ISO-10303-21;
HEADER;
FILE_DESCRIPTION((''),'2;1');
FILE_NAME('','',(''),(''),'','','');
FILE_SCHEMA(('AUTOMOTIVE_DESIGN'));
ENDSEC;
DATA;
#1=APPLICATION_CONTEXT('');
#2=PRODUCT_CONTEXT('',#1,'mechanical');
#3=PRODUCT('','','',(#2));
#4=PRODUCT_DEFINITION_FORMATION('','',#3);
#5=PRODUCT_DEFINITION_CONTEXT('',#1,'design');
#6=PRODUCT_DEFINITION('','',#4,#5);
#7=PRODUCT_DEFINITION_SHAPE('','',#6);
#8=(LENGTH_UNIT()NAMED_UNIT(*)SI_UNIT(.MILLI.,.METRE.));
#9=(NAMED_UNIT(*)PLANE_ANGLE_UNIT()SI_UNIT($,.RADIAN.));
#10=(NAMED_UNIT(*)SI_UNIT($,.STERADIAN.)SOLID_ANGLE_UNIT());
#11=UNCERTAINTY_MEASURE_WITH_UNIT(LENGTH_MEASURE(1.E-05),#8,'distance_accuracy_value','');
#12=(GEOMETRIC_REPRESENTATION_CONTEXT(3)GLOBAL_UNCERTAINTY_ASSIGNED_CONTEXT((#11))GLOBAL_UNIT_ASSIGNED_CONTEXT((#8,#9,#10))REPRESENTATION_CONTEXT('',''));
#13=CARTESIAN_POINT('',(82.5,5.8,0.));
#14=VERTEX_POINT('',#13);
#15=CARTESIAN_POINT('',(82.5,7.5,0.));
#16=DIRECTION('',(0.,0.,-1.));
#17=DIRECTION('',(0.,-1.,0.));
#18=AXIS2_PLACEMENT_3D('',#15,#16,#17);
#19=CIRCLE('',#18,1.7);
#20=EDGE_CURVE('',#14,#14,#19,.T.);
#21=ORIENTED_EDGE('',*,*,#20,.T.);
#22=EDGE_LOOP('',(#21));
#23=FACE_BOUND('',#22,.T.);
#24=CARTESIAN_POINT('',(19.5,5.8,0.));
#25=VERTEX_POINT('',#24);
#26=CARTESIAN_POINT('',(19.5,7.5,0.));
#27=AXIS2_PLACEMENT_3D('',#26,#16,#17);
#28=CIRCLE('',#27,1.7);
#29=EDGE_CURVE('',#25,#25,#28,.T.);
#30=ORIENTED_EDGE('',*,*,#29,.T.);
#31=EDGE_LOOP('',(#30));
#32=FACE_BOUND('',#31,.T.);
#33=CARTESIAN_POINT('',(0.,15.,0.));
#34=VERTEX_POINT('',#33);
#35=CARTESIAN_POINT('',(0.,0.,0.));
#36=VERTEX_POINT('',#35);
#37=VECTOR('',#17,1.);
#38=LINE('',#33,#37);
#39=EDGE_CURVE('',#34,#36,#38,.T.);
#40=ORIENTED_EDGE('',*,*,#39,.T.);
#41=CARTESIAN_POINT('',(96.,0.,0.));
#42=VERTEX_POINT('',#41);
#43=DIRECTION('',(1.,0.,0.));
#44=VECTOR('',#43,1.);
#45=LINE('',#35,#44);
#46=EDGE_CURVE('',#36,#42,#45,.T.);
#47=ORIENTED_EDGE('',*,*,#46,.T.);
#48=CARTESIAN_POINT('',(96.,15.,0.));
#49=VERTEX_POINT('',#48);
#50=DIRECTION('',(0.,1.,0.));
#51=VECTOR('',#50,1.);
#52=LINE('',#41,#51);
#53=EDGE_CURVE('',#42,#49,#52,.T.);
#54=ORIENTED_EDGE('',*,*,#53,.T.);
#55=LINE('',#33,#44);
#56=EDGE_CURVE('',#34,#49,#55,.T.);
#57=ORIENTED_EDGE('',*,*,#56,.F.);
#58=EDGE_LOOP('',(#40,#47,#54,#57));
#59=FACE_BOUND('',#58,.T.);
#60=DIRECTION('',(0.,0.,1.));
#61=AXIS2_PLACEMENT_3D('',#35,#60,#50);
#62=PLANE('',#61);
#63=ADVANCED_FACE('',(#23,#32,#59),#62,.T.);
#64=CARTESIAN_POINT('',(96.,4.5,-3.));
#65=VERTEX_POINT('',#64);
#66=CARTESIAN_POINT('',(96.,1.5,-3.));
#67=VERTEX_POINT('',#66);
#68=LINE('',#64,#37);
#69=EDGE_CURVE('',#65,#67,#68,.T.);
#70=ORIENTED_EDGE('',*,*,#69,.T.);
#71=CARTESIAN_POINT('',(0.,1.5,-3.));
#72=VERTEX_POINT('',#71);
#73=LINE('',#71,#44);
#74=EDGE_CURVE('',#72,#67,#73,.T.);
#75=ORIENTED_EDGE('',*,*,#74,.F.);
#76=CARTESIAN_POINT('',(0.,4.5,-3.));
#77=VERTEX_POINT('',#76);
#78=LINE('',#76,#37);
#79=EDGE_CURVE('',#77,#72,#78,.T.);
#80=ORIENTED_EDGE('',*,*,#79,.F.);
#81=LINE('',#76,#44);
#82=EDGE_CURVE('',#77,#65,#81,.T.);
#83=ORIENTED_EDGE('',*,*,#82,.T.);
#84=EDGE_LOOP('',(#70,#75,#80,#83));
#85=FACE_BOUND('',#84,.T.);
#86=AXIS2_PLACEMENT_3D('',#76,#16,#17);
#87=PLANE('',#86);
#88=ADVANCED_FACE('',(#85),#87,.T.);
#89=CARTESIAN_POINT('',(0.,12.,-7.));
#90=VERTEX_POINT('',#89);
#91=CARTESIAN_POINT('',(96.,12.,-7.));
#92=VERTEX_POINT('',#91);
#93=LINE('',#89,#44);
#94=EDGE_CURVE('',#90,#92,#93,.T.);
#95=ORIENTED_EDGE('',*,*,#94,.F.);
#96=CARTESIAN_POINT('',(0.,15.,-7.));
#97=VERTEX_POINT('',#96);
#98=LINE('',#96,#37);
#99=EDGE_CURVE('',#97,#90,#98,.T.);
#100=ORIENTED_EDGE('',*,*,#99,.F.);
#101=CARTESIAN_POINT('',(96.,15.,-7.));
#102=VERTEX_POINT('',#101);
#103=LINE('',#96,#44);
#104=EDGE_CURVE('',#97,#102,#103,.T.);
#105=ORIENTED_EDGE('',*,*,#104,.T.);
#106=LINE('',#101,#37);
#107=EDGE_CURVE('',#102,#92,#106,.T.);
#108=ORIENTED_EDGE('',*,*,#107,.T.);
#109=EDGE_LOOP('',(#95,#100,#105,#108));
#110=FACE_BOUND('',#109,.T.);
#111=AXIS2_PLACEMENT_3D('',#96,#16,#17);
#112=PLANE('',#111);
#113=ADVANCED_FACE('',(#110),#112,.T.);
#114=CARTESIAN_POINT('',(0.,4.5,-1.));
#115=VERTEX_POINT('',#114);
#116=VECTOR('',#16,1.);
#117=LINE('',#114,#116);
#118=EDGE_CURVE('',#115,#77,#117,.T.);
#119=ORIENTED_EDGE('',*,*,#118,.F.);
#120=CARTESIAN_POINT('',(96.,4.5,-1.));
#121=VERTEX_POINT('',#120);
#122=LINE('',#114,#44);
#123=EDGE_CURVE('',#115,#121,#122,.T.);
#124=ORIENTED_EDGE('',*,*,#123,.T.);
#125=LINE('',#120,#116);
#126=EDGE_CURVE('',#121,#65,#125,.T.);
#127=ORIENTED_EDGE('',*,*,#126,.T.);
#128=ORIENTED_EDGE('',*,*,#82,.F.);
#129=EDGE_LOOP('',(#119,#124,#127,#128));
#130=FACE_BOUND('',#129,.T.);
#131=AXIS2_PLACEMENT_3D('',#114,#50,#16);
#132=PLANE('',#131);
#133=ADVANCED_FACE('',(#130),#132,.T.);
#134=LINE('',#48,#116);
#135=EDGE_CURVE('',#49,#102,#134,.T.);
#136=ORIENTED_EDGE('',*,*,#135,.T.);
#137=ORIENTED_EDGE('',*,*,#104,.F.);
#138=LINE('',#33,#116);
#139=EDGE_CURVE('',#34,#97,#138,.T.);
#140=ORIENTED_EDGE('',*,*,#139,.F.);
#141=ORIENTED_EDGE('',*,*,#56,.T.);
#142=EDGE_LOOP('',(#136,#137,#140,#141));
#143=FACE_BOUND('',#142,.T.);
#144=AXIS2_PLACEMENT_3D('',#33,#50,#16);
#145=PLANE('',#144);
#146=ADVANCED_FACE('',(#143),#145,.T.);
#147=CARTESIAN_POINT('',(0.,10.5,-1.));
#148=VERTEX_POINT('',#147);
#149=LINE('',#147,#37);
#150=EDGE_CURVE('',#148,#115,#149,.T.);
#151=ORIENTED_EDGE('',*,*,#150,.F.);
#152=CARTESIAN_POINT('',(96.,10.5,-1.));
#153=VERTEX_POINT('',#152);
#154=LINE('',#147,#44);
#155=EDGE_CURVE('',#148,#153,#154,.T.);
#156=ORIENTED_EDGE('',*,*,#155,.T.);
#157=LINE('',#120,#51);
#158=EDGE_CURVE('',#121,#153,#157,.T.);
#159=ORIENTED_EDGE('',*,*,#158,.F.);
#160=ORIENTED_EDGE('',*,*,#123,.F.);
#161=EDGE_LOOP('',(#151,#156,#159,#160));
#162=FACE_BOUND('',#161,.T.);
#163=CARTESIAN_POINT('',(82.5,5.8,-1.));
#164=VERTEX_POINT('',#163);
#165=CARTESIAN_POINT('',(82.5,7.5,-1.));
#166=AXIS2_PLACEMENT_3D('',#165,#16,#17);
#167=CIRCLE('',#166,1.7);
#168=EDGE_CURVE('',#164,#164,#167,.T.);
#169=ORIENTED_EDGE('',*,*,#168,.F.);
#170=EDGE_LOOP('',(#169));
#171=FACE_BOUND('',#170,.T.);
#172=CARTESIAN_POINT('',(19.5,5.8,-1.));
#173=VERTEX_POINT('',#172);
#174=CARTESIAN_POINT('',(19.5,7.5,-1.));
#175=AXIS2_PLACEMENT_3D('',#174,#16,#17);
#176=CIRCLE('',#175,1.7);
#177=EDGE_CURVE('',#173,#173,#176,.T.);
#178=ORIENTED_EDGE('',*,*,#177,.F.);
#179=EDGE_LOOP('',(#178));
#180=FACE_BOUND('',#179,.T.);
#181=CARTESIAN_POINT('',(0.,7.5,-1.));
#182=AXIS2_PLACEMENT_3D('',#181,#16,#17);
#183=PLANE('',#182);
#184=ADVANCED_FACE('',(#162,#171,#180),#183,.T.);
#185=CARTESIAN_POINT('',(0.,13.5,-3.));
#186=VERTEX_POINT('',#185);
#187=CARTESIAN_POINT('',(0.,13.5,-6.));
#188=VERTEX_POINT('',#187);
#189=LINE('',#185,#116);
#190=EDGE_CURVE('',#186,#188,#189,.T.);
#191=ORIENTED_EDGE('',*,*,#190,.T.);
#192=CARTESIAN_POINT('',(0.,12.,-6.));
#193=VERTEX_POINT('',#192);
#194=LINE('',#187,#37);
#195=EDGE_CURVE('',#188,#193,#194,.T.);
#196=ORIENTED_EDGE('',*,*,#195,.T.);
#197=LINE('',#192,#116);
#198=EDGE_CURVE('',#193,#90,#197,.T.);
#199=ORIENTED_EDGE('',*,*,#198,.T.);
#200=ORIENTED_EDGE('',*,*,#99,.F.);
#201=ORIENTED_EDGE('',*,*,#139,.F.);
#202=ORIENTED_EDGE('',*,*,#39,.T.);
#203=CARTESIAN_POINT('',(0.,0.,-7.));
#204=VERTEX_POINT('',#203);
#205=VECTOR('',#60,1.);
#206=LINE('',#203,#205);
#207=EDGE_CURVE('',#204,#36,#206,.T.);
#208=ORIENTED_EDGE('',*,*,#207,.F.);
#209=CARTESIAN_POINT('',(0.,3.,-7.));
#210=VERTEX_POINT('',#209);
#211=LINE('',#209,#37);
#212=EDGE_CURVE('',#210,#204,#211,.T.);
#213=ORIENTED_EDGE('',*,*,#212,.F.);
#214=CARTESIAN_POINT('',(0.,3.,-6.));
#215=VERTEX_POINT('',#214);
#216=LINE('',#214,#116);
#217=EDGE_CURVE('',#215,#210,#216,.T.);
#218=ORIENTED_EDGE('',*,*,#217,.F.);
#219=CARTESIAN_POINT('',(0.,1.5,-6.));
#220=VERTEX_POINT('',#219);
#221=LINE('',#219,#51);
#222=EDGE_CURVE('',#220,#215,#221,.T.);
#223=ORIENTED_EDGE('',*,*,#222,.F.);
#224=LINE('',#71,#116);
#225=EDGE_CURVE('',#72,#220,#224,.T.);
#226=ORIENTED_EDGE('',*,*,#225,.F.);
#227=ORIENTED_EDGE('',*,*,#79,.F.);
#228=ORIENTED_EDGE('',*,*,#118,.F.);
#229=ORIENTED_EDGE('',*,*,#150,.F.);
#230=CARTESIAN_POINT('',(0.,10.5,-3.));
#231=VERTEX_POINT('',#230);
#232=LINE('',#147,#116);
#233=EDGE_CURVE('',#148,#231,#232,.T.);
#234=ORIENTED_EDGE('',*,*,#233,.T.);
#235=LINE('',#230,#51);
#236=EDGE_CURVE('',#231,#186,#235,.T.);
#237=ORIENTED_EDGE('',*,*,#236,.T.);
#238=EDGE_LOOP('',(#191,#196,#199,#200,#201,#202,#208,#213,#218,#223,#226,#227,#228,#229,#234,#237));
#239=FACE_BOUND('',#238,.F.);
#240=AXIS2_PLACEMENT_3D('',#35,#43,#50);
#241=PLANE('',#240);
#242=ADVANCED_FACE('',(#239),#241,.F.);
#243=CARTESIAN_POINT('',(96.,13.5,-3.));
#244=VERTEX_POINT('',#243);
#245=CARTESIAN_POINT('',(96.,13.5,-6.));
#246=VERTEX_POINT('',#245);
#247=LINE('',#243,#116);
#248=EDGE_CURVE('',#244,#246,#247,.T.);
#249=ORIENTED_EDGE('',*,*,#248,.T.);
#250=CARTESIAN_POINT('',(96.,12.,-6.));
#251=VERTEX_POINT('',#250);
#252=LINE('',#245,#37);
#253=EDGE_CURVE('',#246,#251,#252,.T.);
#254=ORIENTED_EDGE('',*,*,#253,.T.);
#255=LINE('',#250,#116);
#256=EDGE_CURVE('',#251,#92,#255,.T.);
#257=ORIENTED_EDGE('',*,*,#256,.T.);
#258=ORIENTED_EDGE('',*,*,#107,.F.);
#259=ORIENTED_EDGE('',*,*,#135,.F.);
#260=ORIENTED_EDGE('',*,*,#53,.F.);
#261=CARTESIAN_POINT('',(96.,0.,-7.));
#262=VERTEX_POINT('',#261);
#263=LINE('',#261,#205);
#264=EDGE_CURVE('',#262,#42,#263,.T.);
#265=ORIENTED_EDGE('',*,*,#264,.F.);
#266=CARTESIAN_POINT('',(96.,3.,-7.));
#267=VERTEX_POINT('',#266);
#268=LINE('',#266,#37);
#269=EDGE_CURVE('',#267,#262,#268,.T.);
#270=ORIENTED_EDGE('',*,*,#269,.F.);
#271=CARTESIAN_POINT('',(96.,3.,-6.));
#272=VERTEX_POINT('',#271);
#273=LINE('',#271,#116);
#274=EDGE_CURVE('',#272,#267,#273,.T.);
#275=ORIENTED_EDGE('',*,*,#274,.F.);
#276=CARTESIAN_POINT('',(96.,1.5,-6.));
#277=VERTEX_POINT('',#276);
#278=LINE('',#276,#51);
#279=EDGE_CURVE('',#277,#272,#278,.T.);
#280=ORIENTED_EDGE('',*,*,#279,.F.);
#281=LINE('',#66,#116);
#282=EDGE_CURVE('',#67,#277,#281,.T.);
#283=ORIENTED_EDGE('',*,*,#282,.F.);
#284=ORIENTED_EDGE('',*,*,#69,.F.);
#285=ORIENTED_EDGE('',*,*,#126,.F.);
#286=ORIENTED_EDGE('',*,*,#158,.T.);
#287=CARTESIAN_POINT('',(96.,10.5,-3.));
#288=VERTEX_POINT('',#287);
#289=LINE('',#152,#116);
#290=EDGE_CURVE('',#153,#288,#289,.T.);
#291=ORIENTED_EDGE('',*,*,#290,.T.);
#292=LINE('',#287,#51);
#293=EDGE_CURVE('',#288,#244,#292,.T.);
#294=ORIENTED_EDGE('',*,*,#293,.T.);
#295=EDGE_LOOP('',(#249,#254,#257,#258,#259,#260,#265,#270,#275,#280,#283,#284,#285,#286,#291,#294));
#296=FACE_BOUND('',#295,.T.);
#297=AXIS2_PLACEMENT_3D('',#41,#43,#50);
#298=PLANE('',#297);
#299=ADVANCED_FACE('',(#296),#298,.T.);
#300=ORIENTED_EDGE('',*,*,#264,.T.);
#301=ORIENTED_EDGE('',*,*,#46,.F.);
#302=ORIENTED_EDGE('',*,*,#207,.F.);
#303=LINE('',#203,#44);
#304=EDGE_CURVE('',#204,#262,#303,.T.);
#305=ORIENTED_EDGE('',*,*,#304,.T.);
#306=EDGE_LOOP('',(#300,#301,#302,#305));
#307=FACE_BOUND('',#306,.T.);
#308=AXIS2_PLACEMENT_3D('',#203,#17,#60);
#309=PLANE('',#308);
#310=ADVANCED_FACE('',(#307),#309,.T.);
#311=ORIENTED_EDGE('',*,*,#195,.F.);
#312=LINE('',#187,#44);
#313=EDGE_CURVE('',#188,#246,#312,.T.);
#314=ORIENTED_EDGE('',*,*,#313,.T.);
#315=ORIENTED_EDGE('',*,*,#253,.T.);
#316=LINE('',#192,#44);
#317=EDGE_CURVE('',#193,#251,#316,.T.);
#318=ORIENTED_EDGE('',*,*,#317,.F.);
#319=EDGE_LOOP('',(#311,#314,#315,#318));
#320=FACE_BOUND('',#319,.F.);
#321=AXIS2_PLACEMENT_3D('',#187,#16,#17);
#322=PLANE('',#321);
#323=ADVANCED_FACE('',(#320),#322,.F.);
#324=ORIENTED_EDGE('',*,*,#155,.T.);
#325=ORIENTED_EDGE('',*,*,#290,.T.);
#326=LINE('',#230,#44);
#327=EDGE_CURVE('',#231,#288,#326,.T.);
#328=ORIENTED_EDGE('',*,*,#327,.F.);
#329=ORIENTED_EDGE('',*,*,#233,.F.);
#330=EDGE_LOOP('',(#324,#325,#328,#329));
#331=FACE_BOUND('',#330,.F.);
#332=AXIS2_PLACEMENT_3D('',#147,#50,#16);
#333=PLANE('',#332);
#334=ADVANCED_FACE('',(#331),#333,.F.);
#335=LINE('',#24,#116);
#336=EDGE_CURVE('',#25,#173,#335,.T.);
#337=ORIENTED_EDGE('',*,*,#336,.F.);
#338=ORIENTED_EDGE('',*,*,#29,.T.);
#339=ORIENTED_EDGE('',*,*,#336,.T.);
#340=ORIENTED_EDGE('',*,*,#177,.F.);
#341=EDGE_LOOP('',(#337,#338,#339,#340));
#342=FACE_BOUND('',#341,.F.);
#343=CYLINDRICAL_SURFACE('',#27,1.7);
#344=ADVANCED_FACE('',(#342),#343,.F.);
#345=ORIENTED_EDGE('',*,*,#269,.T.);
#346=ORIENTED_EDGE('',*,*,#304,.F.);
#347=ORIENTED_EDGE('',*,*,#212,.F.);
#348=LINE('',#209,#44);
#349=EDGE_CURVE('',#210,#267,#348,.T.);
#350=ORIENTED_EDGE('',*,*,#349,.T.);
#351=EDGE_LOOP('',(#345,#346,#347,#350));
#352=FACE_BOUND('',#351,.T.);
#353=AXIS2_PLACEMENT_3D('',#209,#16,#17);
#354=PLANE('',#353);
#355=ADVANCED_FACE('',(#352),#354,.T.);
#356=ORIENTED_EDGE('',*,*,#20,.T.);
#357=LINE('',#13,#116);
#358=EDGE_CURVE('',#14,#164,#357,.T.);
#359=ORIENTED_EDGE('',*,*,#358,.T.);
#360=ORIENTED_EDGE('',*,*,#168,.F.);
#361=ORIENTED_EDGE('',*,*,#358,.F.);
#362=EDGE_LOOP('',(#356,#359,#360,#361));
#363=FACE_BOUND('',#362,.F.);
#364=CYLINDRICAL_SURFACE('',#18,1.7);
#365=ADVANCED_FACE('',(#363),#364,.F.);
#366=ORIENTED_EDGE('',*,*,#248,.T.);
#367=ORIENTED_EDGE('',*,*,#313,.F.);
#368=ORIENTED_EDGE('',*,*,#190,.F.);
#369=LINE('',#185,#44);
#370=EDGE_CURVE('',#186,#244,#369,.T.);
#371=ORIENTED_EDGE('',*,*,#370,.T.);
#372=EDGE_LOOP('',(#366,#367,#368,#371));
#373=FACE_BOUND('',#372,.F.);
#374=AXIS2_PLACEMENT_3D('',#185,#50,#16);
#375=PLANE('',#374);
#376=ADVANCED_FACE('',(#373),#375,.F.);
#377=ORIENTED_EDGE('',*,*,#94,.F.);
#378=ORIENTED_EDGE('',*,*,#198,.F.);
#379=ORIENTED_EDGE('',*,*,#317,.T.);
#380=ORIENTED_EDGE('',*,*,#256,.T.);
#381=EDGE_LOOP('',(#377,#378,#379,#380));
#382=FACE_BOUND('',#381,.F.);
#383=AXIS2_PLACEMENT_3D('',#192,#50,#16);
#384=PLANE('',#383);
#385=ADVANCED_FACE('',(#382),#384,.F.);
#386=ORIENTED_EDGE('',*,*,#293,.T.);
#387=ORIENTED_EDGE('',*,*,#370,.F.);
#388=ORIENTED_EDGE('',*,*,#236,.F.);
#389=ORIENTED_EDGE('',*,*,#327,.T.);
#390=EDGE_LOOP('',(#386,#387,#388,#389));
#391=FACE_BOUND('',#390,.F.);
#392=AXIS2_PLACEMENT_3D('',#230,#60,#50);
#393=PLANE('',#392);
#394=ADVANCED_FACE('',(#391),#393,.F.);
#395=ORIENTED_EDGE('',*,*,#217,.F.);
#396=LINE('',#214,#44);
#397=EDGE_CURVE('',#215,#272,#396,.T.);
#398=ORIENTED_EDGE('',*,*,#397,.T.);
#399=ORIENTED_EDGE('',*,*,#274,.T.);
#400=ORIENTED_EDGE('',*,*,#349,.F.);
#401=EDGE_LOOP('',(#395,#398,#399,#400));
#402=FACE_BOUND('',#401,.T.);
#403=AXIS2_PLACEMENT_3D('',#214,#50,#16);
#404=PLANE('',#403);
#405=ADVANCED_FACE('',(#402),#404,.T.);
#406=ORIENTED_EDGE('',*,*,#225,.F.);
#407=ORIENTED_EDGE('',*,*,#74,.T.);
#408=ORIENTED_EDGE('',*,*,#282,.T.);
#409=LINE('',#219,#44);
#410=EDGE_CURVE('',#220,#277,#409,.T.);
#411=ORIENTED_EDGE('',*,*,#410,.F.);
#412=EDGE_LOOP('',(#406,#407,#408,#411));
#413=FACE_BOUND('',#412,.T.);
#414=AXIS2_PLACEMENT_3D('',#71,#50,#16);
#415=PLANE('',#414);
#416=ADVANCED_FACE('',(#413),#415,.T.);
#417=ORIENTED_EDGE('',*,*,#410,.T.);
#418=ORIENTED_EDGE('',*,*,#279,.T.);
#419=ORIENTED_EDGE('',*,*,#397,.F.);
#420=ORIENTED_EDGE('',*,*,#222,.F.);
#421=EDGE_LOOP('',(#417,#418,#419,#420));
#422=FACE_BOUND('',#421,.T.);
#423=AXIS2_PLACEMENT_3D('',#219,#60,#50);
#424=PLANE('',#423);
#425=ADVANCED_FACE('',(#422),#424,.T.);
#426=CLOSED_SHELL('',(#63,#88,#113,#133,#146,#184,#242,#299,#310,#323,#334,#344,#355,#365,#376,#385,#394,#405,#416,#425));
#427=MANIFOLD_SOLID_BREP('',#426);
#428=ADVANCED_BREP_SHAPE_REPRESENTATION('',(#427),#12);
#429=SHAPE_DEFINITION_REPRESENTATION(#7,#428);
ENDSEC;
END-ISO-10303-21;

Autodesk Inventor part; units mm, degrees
ref_plane "YZ Plane" through (0, 0, 0) normal (1, 0, 0) x (0, 1, 0)
ref_plane "XZ Plane" through (0, 0, 0) normal (0, 1, 0) x (-1, 0, 0)
ref_plane "XY Plane" through (0, 0, 0) normal (0, 0, 1) x (1, 0, 0)
sketch "スケッチ1" plane through (0, 0, 0) normal (1, 0, 0) x (0, 1, 0)
  line L0 (0, 0) -> (15, 0)
  line L1 (15, 0) -> (15, -7)
  line L2 (0, -7) -> (0, 0)
  line L3 (7.5, 0) -> (7.5, -7)
  line L4 (7.5, -1) -> (10.5, -1)
  line L5 (10.5, -1) -> (10.5, -3)
  line L6 (10.5, -3) -> (13.5, -3)
  line L7 (13.5, -3) -> (13.5, -6)
  line L8 (13.5, -6) -> (12, -6)
  line L9 (12, -6) -> (12, -7)
  line L10 (7.5, -1) -> (4.5, -1)
  line L11 (4.5, -1) -> (4.5, -3)
  line L12 (4.5, -3) -> (1.5, -3)
  line L13 (1.5, -3) -> (1.5, -6)
  line L14 (1.5, -6) -> (3, -6)
  line L15 (3, -6) -> (3, -7)
  line L16 (15, -7) -> (12, -7)
  line L17 (3, -7) -> (0, -7)
  dimension "d0" = 15
  dimension "d1" = 7
  dimension "d2" = 3
  dimension "d3" = 2
  dimension "d5" = 3
  dimension "d6" = 3
  dimension "d7" = 1.5
  dimension "d9" = 1
extrude "押し出し1" add sketch "スケッチ1" along normal blind 96
sketch "スケッチ2" plane through (0, 0, 0) normal (0, 0, 1) x (1, 0, 0)
  line L0 (0, 4.5) -> (0, 10.5) projected
  line L1 (0, 7.5) -> (96, 7.5)
  line L2 (96, 4.5) -> (96, 10.5) projected
  line L3 (0, 15) -> (0, 0) projected
  line L4 (96, 15) -> (96, 0) projected
  point P0 (19.5, 7.5)
  point P1 (82.5, 7.5)
  dimension "d12" = 19.5
  dimension "d24" = 63
hole "穴1" at (19.5, 7.5, 0) at (82.5, 7.5, 0) direction (0, 0, -1) diameter 3.4 end through all
properties part number "slider2a2" material "アルミニウム 6061-AHC"
